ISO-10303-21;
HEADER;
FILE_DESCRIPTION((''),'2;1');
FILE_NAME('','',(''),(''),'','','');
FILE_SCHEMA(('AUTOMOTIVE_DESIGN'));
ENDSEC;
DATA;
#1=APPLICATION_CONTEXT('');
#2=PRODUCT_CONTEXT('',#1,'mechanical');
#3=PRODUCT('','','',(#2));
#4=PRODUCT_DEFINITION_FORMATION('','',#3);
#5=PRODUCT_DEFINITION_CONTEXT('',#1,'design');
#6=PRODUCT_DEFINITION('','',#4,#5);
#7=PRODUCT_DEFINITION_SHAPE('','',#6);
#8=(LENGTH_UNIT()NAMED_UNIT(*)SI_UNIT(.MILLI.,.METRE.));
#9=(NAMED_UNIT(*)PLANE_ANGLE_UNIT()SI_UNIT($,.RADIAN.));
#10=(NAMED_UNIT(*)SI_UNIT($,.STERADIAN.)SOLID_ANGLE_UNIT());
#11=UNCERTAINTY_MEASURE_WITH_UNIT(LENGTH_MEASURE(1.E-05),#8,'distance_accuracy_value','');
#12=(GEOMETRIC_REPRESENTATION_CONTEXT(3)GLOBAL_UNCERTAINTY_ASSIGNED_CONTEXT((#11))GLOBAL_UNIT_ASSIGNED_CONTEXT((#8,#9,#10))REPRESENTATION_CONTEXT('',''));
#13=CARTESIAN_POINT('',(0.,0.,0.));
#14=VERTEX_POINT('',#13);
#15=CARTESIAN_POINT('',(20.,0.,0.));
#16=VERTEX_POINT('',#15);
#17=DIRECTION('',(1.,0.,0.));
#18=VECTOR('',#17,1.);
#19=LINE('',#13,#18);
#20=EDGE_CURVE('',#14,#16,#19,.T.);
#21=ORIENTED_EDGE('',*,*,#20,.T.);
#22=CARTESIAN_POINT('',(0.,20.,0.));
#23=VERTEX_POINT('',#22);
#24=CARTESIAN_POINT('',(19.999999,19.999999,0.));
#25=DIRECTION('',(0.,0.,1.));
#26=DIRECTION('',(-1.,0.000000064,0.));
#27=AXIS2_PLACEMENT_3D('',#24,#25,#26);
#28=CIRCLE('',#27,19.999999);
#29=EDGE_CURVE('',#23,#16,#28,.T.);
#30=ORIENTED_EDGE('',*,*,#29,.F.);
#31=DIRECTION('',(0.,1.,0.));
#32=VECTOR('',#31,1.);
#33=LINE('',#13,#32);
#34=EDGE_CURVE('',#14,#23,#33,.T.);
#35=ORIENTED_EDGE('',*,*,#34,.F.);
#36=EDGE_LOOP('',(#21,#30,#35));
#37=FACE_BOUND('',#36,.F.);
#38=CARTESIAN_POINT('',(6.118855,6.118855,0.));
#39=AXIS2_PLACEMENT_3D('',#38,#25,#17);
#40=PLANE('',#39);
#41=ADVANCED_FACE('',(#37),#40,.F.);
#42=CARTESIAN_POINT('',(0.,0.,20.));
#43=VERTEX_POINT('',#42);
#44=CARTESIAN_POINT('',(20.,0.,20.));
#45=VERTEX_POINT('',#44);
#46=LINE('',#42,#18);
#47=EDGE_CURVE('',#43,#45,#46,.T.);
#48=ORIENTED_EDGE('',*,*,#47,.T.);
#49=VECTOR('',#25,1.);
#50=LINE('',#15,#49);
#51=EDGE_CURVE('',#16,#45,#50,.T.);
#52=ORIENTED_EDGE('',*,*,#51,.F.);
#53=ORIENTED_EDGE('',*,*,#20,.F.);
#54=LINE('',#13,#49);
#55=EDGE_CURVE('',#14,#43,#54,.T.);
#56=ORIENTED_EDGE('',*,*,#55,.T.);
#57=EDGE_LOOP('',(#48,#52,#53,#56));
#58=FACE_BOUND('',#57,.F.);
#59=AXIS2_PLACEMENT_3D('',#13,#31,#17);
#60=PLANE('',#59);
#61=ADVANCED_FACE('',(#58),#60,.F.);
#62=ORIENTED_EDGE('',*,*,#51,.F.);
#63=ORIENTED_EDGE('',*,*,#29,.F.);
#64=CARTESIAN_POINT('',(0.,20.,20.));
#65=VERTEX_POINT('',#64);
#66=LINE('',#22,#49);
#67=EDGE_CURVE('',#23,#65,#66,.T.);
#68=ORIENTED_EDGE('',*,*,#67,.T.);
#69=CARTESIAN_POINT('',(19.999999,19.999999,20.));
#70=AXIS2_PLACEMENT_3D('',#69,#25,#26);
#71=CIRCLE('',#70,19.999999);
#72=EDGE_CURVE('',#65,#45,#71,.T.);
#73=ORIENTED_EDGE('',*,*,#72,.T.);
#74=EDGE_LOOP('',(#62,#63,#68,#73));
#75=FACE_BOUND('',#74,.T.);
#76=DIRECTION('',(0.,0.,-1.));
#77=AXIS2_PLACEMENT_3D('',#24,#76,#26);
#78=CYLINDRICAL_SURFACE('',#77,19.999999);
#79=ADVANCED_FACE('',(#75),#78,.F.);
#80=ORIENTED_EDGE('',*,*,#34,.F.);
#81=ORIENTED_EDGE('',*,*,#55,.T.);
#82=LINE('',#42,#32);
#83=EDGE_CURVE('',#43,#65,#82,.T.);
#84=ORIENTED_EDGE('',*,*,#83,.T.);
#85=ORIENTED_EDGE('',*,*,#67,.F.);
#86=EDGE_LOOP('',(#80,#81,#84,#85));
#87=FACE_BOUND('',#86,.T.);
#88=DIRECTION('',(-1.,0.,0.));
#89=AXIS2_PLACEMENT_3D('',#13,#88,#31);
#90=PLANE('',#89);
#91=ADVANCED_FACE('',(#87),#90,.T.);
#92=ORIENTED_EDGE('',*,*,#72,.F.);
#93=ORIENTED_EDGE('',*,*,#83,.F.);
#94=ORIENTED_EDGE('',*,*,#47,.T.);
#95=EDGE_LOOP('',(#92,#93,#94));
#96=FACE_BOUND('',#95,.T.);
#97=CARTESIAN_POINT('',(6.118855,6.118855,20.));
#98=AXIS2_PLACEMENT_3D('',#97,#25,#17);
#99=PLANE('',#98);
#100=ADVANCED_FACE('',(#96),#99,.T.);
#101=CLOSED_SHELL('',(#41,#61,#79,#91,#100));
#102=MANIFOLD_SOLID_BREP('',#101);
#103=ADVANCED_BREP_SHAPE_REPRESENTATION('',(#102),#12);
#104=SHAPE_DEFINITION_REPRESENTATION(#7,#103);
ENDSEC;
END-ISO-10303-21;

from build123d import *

# Parameters (mm, degrees)
PAD_DEPTH = 20


with BuildPart() as part:
    # Sketch → Pad (new body)
    with BuildSketch(Plane.XY):
        with BuildLine():
            Line((0, 0), (20, 0))
            ThreePointArc((0, 20), (5.857864, 5.857864), (20, 0))
            Line((0, 0), (0, 20))
        make_face()
    extrude(amount=PAD_DEPTH)


solid = part.part
